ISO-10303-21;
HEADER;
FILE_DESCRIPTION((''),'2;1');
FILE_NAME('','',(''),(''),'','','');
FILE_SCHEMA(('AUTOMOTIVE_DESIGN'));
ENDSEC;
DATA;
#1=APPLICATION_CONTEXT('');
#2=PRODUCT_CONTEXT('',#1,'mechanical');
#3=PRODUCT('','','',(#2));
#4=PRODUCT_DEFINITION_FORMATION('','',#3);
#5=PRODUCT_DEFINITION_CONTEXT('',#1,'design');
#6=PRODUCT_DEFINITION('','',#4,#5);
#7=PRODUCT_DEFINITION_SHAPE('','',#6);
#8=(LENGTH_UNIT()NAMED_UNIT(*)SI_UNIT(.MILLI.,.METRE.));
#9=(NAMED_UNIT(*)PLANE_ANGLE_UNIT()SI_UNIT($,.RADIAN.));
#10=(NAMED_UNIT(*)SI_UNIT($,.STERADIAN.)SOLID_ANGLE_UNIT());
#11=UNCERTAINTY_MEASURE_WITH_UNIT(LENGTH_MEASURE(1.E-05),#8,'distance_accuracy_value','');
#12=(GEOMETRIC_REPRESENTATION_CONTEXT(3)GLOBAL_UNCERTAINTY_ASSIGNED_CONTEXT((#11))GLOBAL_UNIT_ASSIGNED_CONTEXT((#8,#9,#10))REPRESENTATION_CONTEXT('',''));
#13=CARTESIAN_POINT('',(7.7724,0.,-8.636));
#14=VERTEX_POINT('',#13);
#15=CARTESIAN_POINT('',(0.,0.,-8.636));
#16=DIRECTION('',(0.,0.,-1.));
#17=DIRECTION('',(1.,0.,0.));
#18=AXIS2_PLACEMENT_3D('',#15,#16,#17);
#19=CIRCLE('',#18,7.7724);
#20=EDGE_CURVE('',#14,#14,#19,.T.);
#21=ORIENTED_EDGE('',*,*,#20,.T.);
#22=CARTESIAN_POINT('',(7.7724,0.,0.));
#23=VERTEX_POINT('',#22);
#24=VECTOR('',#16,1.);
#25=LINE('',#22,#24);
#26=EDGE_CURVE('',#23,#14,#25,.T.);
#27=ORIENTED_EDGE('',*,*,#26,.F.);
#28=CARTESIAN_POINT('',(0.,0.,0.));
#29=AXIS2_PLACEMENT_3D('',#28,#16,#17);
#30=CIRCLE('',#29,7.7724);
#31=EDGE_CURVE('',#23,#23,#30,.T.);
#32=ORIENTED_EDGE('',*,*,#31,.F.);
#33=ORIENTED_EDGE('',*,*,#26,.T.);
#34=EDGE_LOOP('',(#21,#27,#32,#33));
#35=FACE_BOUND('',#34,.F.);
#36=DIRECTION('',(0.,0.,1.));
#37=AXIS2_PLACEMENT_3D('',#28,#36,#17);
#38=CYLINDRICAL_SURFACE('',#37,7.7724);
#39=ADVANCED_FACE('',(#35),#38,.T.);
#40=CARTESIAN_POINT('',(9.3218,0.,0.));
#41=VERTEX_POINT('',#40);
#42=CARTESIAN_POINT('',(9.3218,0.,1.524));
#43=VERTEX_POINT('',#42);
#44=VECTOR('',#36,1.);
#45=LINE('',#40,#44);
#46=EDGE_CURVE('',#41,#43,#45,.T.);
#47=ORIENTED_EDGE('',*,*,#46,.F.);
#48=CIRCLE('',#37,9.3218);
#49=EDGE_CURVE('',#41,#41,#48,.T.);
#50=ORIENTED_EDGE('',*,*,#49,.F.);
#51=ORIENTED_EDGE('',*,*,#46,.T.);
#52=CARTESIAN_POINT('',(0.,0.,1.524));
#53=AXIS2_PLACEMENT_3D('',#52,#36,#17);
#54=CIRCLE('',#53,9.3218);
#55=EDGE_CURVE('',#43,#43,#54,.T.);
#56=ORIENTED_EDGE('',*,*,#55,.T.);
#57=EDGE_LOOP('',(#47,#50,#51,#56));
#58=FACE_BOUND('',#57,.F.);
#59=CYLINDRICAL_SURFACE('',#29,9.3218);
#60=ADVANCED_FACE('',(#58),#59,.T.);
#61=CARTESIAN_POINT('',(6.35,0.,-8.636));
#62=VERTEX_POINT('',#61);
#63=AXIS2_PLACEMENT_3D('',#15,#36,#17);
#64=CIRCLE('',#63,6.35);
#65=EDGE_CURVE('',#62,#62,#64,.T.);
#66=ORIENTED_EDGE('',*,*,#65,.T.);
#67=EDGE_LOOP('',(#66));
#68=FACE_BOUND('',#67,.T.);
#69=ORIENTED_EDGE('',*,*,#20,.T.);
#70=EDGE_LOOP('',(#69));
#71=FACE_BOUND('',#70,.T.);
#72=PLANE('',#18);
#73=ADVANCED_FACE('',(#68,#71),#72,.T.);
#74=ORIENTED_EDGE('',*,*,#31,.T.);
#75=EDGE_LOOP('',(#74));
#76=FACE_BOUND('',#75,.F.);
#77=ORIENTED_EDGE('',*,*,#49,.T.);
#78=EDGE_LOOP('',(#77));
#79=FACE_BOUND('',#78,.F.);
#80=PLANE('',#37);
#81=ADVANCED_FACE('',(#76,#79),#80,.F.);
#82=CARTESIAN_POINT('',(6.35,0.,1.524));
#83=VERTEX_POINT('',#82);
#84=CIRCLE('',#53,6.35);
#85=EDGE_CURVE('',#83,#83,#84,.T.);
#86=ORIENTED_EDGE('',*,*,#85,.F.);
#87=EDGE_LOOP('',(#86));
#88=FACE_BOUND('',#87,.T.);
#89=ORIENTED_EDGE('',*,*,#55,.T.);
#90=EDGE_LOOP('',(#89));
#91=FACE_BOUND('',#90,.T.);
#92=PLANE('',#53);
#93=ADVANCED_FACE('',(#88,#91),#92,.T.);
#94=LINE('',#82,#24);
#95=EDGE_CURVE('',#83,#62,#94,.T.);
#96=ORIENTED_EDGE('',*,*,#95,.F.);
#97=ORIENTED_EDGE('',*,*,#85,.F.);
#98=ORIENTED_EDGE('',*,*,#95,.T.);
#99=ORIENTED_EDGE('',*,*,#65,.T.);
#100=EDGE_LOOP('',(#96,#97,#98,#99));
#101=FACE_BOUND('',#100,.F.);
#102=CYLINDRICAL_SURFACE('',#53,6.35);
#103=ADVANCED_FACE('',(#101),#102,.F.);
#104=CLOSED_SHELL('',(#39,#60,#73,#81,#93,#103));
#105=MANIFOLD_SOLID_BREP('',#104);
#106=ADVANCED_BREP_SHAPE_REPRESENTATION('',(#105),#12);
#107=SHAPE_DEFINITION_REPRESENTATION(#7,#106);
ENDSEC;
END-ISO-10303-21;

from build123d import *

# Parameters (mm, degrees)
F0_R     = 9.3218
F1_DEPTH = 1.524
F2_R     = 7.7724
F3_DEPTH = 8.636
F4_R     = 6.35
F5_DEPTH = 10.161


with BuildPart() as f1:
    # F0 (on Top) → F1 (new body)
    with BuildSketch(Plane.XY):
        Circle(F0_R)
    extrude(amount=F1_DEPTH)

    # F2 (on face) → F3 (join)
    with BuildSketch(Plane(origin=(0, 0, 0), x_dir=(1, 0, 0), z_dir=(0, 0, -1))):
        Circle(F2_R)
    extrude(amount=F3_DEPTH)

    # F4 (on face) → F5 (cut, through all)
    with BuildSketch(Plane.XY.offset(1.524)):
        Circle(F4_R)
    extrude(amount=-F5_DEPTH, mode=Mode.SUBTRACT)


solid = f1.part
